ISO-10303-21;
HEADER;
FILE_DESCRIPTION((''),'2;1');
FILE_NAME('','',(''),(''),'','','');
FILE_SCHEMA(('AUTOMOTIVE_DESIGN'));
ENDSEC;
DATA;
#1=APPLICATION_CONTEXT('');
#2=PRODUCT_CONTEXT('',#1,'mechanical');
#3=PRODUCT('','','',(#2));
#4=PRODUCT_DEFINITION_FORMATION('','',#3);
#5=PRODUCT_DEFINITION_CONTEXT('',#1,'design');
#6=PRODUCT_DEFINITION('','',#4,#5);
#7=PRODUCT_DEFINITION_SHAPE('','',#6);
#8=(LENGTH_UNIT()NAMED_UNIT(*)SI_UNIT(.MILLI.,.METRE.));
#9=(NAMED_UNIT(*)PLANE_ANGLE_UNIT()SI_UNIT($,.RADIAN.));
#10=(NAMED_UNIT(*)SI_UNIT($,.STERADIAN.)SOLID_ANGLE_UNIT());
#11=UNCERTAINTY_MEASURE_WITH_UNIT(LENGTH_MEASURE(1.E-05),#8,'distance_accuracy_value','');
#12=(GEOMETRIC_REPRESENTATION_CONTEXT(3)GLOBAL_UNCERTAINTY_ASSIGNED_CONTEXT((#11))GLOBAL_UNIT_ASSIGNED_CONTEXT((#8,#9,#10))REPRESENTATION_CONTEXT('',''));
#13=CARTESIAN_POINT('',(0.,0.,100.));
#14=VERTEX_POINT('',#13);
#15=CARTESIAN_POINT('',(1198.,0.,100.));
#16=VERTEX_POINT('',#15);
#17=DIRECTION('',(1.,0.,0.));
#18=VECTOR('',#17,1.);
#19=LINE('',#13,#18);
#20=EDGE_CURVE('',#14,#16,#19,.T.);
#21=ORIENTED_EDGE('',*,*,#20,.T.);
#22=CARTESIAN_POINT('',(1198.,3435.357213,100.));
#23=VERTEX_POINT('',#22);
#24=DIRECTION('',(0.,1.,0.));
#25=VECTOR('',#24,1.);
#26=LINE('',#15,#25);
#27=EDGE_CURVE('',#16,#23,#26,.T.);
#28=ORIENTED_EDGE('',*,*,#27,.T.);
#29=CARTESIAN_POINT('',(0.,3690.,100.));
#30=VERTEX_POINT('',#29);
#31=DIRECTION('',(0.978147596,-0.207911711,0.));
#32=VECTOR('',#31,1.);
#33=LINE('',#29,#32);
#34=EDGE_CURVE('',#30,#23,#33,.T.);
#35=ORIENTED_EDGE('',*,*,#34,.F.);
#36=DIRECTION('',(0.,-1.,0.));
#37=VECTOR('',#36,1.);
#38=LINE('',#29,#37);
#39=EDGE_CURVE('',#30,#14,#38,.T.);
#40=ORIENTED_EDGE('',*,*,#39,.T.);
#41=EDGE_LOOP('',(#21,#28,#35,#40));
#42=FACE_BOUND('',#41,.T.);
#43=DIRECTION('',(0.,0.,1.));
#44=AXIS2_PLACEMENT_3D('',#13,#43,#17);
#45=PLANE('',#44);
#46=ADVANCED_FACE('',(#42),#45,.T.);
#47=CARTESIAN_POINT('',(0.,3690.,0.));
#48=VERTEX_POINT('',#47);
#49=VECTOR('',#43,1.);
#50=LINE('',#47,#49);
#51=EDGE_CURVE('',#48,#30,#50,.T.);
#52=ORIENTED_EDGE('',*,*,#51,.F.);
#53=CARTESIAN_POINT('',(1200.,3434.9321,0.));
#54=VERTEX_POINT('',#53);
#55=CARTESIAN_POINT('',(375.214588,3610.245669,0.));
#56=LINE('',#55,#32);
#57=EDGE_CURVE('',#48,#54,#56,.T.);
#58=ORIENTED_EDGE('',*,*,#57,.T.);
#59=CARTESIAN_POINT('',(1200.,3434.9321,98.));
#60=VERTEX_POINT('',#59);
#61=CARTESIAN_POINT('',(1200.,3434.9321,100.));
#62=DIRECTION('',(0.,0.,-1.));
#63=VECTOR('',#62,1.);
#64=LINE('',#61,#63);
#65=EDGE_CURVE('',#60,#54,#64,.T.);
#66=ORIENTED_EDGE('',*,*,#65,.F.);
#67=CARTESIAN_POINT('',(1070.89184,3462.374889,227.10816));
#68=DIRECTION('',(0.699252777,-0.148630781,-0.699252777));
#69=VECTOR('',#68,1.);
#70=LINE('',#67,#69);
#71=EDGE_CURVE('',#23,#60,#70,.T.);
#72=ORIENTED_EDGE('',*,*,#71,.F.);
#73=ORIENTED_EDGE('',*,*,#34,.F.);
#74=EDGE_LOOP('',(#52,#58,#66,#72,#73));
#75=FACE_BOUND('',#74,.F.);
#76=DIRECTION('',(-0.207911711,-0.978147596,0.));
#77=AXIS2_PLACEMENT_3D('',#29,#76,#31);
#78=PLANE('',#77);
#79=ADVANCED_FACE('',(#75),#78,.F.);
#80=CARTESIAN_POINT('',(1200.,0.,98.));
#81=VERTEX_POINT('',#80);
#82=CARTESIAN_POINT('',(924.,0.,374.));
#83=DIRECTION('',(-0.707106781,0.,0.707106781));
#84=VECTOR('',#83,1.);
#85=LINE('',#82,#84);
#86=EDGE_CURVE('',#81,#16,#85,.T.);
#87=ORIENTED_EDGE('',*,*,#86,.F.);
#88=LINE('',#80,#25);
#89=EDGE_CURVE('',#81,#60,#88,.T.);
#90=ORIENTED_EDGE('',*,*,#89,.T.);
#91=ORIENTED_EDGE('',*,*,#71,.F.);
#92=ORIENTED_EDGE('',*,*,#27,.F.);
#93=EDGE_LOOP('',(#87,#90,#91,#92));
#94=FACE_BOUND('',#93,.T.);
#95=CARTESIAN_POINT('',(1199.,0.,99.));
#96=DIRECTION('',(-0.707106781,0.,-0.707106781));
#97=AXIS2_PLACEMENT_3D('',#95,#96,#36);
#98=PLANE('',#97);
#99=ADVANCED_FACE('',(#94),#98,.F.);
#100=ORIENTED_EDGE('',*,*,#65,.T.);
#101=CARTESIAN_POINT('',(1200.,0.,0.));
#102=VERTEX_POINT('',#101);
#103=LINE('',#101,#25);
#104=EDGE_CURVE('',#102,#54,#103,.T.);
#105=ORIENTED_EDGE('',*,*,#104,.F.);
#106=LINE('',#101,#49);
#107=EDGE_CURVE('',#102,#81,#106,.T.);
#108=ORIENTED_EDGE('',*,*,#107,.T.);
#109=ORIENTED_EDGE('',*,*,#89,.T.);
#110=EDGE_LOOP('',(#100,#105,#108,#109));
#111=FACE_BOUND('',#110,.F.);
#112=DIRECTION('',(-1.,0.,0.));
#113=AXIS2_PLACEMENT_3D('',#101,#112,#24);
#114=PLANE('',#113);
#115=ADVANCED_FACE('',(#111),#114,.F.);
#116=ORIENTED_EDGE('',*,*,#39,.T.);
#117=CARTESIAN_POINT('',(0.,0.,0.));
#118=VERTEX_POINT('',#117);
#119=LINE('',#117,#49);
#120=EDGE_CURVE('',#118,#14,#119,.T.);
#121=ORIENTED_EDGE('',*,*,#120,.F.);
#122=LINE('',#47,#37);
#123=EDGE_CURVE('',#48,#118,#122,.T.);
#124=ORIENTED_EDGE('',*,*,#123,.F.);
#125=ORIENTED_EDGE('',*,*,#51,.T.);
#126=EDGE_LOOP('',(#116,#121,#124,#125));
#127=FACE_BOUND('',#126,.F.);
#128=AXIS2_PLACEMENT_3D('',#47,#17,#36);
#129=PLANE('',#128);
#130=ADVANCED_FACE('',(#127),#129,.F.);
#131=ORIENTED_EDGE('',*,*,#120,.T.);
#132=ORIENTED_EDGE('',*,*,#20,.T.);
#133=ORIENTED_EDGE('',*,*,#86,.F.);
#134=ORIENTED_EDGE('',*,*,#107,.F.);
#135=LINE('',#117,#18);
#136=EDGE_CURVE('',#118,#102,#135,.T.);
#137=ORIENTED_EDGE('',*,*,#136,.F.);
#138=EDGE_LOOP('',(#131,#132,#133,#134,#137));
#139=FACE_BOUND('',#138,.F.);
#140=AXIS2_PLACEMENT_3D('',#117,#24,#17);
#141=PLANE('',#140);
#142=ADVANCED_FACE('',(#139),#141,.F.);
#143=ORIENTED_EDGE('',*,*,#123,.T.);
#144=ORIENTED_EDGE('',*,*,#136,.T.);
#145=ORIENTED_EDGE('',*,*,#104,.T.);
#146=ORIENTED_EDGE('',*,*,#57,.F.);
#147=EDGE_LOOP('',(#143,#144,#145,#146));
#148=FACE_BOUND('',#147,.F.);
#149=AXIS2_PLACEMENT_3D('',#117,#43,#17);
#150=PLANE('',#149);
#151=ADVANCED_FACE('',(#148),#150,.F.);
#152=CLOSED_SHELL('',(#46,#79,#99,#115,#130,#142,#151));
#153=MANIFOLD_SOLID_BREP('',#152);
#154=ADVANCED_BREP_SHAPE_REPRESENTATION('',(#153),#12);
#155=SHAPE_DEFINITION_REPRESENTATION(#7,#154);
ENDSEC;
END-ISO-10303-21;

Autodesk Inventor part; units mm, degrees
ref_plane "YZ Plane" through (0, 0, 0) normal (1, 0, 0) x (0, 1, 0)
ref_plane "XZ Plane" through (0, 0, 0) normal (0, 1, 0) x (-1, 0, 0)
ref_plane "XY Plane" through (0, 0, 0) normal (0, 0, 1) x (1, 0, 0)
sketch "Sketch1" plane through (0, 0, 0) normal (0, 0, 1) x (1, 0, 0)
  line L0 (0, 0) -> (1200, 0)
  line L1 (1200, 0) -> (1200, 3690)
  line L2 (1200, 3690) -> (0, 3690)
  line L3 (0, 3690) -> (0, 0)
  dimension "d0" = 1200
  dimension "d1" = 3690
extrude "Extrusion1" add sketch "Sketch1" along normal blind 100
chamfer "Chamfer1" distance 2 angle 45 1 edges at (1200, 1845, 100)
sketch "Sketch3" plane through (0, 0, 100) normal (0, 0, 1) x (1, 0, 0)
  line L0 (1200, 3690) -> (0, 3690) projected
  line L1 (0, 3690) -> (1200, 3434.9321)
  line L2 (1200, 0) -> (1200, 3690) projected
  point P0 (0, 0)
  dimension "d7" = 12
extrude "Extrusion2" cut sketch "Sketch3" along normal through all both and the other way through all
properties part number "Sandwich Wall 1200 01"
